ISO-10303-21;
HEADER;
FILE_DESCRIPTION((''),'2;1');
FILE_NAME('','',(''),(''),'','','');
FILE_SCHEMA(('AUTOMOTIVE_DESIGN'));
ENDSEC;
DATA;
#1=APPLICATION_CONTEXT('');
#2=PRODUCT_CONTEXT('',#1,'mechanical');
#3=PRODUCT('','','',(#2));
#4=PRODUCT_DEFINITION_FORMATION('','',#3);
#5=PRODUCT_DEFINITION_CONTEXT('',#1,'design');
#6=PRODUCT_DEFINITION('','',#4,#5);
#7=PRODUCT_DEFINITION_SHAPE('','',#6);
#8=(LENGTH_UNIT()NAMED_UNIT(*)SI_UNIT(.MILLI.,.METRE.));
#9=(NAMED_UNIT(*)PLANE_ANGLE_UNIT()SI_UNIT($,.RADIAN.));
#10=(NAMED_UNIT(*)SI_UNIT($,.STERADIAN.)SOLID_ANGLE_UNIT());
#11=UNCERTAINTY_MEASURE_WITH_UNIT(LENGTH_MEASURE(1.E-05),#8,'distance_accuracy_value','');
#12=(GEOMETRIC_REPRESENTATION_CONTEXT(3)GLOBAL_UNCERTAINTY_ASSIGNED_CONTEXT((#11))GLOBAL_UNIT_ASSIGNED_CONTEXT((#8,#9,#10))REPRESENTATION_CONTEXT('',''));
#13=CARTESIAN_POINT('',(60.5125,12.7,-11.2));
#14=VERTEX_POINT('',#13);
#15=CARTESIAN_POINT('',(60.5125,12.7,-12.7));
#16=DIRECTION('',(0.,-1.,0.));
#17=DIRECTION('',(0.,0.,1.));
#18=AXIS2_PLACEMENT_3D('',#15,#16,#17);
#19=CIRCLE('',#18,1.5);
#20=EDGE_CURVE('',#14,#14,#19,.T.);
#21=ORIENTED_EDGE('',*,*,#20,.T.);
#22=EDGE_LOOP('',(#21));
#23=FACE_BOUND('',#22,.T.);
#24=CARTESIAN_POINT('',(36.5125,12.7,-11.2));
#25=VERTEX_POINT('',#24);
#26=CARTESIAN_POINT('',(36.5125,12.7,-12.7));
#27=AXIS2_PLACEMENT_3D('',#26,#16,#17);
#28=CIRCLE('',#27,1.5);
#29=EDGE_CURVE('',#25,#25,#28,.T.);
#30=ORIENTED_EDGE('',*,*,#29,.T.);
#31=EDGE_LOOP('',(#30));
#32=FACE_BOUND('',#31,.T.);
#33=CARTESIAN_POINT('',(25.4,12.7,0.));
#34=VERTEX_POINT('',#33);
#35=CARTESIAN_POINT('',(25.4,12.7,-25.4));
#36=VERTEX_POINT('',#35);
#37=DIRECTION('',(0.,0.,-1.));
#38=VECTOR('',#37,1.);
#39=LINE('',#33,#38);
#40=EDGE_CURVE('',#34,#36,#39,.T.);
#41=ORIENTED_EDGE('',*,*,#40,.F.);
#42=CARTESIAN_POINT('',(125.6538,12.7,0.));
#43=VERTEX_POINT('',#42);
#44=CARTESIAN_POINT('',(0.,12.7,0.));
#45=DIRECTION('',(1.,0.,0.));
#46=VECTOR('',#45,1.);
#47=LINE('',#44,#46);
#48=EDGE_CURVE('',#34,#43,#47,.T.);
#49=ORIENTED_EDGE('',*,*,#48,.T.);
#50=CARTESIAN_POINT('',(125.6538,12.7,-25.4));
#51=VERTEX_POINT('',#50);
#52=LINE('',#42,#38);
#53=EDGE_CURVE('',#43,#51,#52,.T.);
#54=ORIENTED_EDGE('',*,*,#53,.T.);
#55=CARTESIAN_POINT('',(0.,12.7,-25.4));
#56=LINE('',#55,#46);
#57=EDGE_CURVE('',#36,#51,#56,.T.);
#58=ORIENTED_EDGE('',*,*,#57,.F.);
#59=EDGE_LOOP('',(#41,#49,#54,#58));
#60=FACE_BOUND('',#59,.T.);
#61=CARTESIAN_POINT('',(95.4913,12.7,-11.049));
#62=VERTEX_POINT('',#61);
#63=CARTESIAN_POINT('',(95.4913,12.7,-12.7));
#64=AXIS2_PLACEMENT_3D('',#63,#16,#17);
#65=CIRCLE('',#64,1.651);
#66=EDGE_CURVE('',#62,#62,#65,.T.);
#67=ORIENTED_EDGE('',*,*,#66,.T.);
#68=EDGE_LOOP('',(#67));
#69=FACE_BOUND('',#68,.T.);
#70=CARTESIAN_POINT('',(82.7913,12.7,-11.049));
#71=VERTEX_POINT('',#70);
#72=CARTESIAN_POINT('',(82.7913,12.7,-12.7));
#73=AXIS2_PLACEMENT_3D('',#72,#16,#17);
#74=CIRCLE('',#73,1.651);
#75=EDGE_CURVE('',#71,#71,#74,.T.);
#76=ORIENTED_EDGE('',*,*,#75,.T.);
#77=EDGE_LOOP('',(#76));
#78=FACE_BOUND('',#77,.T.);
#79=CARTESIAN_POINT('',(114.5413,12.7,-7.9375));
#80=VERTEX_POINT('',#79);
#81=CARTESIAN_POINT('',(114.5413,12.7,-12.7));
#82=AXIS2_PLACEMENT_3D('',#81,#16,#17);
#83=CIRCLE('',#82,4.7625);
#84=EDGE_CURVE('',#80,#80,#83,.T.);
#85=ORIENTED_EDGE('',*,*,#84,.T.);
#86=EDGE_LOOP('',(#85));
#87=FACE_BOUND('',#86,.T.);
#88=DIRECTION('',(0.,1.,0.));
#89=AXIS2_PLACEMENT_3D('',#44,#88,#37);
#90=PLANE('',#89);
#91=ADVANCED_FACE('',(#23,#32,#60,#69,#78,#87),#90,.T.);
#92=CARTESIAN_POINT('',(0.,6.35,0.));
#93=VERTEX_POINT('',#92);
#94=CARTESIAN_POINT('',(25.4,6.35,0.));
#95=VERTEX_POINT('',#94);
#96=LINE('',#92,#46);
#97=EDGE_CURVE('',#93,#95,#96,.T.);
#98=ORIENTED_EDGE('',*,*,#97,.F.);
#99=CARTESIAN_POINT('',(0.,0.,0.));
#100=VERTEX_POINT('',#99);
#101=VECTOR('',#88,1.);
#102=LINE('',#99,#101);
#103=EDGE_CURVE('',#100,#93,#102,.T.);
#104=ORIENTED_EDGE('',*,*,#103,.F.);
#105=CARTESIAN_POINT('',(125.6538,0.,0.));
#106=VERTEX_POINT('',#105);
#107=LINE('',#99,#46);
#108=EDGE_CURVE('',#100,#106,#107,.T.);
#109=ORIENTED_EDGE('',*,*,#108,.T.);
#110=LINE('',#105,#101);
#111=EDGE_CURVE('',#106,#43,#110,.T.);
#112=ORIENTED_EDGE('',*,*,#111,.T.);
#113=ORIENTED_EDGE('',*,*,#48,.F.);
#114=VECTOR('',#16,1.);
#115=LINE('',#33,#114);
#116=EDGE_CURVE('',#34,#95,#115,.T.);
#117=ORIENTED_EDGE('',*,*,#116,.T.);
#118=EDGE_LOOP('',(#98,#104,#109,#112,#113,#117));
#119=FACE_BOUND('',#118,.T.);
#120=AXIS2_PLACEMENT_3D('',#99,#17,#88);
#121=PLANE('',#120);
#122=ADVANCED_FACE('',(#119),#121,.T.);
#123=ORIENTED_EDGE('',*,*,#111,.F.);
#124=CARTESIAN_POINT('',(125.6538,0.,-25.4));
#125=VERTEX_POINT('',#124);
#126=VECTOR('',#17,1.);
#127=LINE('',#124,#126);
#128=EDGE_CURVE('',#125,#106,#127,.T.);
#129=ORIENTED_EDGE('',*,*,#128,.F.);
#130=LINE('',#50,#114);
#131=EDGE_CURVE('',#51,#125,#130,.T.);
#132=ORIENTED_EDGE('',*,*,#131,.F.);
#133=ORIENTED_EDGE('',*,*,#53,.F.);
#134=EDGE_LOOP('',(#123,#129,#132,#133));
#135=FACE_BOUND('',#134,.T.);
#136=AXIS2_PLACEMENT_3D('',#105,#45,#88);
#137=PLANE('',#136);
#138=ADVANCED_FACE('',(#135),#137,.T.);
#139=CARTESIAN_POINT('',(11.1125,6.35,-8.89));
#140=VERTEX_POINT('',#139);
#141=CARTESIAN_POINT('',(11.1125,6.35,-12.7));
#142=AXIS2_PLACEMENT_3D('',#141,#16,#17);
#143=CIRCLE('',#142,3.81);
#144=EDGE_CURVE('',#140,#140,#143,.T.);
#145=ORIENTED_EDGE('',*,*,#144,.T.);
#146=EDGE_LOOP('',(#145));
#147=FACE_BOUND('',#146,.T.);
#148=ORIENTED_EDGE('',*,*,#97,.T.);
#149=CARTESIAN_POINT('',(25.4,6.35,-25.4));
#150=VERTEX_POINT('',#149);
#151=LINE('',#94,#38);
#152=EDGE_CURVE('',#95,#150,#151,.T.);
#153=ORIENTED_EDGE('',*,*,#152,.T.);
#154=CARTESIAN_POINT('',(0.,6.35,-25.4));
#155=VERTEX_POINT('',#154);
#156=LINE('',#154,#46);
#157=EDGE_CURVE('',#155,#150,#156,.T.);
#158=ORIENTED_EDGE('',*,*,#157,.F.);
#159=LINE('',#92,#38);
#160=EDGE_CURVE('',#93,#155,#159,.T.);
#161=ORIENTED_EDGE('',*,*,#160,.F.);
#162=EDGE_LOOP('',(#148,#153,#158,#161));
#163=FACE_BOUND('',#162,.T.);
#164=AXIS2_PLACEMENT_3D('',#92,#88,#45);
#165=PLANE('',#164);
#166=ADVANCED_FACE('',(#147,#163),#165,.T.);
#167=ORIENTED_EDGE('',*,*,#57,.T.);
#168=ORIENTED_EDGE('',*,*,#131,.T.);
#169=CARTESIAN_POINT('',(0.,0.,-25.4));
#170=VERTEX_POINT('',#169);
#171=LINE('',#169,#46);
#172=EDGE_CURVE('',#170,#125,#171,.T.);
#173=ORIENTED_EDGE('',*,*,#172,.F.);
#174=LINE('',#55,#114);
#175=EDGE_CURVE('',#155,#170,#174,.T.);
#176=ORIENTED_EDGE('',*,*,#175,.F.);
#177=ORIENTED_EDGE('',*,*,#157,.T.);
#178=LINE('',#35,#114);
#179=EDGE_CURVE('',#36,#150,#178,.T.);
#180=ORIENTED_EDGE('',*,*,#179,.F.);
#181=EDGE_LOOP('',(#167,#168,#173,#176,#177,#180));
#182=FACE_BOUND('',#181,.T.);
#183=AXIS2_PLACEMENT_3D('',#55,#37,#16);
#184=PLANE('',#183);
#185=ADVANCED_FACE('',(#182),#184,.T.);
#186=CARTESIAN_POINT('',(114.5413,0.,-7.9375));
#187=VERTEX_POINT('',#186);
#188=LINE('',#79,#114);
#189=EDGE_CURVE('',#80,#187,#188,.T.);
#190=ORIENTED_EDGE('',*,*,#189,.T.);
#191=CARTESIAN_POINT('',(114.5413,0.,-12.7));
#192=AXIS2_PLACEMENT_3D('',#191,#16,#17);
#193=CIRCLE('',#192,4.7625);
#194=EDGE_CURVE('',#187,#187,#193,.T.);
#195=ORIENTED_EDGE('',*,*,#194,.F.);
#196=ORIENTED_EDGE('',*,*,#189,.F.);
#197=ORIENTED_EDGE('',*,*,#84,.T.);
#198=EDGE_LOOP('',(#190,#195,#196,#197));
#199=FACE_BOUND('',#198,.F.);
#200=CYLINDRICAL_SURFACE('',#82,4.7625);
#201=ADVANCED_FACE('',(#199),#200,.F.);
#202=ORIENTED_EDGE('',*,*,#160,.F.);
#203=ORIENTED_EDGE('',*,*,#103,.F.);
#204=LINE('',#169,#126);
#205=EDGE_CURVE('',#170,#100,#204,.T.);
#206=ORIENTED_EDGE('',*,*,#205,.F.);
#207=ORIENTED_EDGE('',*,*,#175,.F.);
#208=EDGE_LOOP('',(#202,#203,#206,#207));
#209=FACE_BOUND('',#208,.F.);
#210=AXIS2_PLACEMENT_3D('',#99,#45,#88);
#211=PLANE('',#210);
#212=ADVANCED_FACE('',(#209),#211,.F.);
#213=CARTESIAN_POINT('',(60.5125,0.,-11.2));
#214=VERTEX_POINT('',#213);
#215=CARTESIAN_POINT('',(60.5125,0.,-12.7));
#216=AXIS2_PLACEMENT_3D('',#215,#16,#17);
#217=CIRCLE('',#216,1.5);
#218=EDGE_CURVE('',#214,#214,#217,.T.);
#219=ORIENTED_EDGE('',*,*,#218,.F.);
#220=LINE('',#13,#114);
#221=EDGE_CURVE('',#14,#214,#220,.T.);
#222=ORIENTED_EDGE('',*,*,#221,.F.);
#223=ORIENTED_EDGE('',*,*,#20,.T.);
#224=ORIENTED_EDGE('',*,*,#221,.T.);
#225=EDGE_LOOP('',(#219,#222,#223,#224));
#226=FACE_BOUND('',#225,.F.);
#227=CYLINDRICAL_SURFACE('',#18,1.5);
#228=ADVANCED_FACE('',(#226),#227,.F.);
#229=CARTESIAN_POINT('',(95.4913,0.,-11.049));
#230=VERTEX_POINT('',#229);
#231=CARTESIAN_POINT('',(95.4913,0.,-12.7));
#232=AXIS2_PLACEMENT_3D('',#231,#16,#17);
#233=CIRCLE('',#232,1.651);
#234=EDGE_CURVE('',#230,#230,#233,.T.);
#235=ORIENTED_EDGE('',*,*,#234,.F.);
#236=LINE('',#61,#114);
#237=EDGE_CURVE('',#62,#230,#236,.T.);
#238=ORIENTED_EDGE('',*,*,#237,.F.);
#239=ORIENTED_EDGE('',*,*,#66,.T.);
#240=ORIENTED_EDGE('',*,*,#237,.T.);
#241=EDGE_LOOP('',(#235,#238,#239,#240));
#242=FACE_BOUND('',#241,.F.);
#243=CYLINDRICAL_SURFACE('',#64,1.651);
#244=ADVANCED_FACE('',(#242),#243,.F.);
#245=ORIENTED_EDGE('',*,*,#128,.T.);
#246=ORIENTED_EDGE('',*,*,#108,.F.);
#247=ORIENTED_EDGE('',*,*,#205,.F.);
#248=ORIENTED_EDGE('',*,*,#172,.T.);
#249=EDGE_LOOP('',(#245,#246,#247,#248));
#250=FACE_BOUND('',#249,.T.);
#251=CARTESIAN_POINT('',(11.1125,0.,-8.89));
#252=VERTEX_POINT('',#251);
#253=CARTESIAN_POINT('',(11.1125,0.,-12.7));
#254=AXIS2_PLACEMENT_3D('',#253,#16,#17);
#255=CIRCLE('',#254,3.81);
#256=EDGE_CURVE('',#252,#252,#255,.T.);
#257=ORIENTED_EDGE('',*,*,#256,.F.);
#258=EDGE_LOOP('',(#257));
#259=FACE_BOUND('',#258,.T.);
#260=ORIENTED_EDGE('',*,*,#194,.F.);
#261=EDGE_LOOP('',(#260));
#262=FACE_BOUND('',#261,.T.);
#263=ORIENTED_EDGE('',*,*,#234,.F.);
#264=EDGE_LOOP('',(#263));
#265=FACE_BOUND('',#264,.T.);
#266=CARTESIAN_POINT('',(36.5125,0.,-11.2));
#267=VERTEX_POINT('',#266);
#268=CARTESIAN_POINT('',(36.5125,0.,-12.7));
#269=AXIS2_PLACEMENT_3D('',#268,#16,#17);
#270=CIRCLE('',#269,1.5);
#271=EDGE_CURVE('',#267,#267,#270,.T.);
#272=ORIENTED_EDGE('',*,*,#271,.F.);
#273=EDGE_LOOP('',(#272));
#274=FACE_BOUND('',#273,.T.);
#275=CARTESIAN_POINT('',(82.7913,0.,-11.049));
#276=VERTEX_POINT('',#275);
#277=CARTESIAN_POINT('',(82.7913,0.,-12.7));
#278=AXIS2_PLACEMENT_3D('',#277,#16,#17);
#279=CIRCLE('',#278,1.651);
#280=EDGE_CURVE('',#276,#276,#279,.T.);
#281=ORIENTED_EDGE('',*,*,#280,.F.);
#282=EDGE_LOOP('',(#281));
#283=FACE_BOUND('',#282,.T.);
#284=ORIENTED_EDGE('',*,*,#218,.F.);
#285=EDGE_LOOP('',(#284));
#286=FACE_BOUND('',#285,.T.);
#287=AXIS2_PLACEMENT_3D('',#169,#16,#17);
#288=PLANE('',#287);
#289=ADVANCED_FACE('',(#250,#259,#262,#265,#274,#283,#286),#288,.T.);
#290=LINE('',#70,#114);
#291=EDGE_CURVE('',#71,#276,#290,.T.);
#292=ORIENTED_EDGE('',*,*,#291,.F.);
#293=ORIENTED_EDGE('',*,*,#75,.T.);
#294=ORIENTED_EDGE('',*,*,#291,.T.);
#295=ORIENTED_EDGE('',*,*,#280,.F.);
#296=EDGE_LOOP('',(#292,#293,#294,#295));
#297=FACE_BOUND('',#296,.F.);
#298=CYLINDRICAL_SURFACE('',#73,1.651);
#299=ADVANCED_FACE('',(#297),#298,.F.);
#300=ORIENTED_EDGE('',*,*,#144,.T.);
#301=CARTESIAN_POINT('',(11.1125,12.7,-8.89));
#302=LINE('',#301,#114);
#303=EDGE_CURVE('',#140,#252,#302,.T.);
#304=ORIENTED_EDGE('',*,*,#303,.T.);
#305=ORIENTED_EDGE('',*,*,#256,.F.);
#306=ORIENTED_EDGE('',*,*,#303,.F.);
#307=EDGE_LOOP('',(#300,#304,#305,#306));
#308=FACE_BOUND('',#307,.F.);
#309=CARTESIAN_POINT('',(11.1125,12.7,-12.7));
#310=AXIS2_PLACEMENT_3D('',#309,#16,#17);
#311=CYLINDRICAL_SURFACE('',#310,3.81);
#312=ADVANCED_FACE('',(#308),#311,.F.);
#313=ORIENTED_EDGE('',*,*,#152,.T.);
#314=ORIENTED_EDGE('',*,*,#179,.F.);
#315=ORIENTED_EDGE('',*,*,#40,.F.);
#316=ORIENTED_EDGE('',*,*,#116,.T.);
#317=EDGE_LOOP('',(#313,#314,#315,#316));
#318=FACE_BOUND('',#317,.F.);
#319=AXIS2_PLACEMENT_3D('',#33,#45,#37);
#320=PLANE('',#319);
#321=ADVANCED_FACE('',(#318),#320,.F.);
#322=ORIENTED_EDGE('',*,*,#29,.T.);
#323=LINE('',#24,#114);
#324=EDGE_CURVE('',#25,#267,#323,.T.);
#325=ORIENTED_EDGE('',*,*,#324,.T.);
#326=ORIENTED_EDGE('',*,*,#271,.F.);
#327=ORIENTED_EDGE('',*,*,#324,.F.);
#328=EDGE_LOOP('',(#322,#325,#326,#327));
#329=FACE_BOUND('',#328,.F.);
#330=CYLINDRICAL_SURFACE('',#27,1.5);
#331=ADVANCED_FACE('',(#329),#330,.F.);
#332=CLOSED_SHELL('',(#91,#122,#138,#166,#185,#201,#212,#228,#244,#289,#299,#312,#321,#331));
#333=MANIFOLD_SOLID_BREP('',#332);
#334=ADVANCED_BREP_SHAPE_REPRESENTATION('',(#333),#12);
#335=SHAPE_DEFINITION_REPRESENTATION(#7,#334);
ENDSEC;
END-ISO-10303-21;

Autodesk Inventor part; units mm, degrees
ref_plane "YZ Plane" through (0, 0, 0) normal (1, 0, 0) x (0, 1, 0)
ref_plane "XZ Plane" through (0, 0, 0) normal (0, 1, 0) x (-1, 0, 0)
ref_plane "XY Plane" through (0, 0, 0) normal (0, 0, 1) x (1, 0, 0)
sketch "Sketch1" plane through (0, 0, 0) normal (1, 0, 0) x (0, 1, 0)
  line L0 (0, 0) -> (12.7, 0)
  line L1 (12.7, 0) -> (12.7, -25.4)
  line L2 (12.7, -25.4) -> (0, -25.4)
  line L3 (0, -25.4) -> (0, 0)
  dimension "d0" = 12.7
  dimension "d1" = 25.4
extrude "Extrusion1" add sketch "Sketch1" along normal blind 125.6538
sketch "Sketch3" plane through (0, 12.7, 0) normal (0, 1, 0) x (1, 0, 0)
  line L0 (0, 0) -> (125.6538, 0) projected
  line L1 (0, 25.4) -> (125.6538, 25.4) projected
  circle A0 centre (11.1125, 12.7) radius 6.35 projected
  circle A1 centre (114.5413, 12.7) radius 6.35 projected
  point P0 (36.5125, 12.7)
  point P1 (60.5125, 12.7)
  dimension "d13" = 25.4
  dimension "d14" = 12.7
  dimension "d16" = 24
  dimension "d36" = 25.4
hole "Hole1" at (36.5125, 12.7, -12.7) at (60.5125, 12.7, -12.7) direction (0, -1, 0) diameter 3 end through all
sketch "Sketch5" plane through (0, 12.7, 0) normal (0, 1, 0) x (1, 0, 0)
  line L0 (0, 0) -> (125.6538, 0) projected
  line L1 (0, 25.4) -> (125.6538, 25.4) projected
  circle A0 centre (114.5413, 12.7) radius 6.35 projected
  point P0 (95.4913, 12.7)
  dimension "d26" = 12.7
  dimension "d27" = 25.4
  dimension "d28" = 19.05
hole "Hole2" at (95.4913, 12.7, -12.7) direction (0, -1, 0) diameter 3.302 end through all thread size "8-32 UNC" class "2B" standard "ANSI Unified Screw Threads"
sketch "Sketch12" plane through (0, 12.7, 0) normal (0, 1, 0) x (1, 0, 0)
  circle A0 centre (95.4913, 12.7) radius 1.651 projected
  circle A1 centre (36.5125, 12.7) radius 1.5 projected
  circle A2 centre (60.5125, 12.7) radius 1.5 projected
  line L0 (0, 0) -> (0, 25.4) projected
  line L1 (0, 0) -> (125.6538, 0) projected
  line L2 (125.6538, 25.4) -> (125.6538, 0) projected
  line L3 (0, 25.4) -> (125.6538, 25.4) projected
  point P0 (0, 0)
  point P1 (82.7913, 12.7)
  dimension "d77" = 12.7
  dimension "d78" = 12.7
  dimension "d79" = 12.7
hole "Hole5" at (82.7913, 12.7, -12.7) direction (0, -1, 0) diameter 3.302 end through all thread size "8-32 UNC" class "2B" standard "ANSI Unified Screw Threads"
sketch "Sketch14" plane through (0, 12.7, 0) normal (0, 1, 0) x (1, 0, 0)
  circle A0 centre (82.7913, 12.7) radius 1.651 projected
  circle A1 centre (95.4913, 12.7) radius 1.651 projected
  circle A2 centre (36.5125, 12.7) radius 1.5 projected
  circle A3 centre (60.5125, 12.7) radius 1.5 projected
  line L0 (0, 0) -> (0, 25.4) projected
  line L1 (0, 0) -> (125.6538, 0) projected
  line L2 (125.6538, 25.4) -> (125.6538, 0) projected
  line L3 (0, 25.4) -> (125.6538, 25.4) projected
  point P0 (0, 0)
  point P1 (11.1125, 12.7)
hole "Hole7" at (11.1125, 12.7, -12.7) direction (0, -1, 0) diameter 7.62 end through all
sketch "Sketch15" plane through (0, 12.7, 0) normal (0, 1, 0) x (1, 0, 0)
  circle A0 centre (11.1125, 12.7) radius 3.81 projected
  circle A1 centre (82.7913, 12.7) radius 1.651 projected
  circle A2 centre (95.4913, 12.7) radius 1.651 projected
  circle A3 centre (36.5125, 12.7) radius 1.5 projected
  circle A4 centre (60.5125, 12.7) radius 1.5 projected
  line L0 (0, 0) -> (0, 25.4) projected
  line L1 (0, 0) -> (125.6538, 0) projected
  line L2 (125.6538, 25.4) -> (125.6538, 0) projected
  line L3 (0, 25.4) -> (125.6538, 25.4) projected
  circle A5 centre (114.5413, 12.7) radius 4.7625 projected
  point P0 (0, 0)
hole "Hole8" at (114.5413, 12.7, -12.7) direction (0, -1, 0) diameter 9.525 end through all
sketch "Sketch16" plane through (0, 12.7, 0) normal (0, 1, 0) x (1, 0, 0)
  circle A0 centre (114.5413, 12.7) radius 4.7625 projected
  circle A1 centre (11.1125, 12.7) radius 3.81 projected
  circle A2 centre (82.7913, 12.7) radius 1.651 projected
  circle A3 centre (95.4913, 12.7) radius 1.651 projected
  circle A4 centre (36.5125, 12.7) radius 1.5 projected
  circle A5 centre (60.5125, 12.7) radius 1.5 projected
  line L0 (0, 0) -> (0, 25.4) projected
  line L1 (0, 0) -> (125.6538, 0) projected
  line L2 (125.6538, 25.4) -> (125.6538, 0) projected
  line L3 (0, 25.4) -> (125.6538, 25.4) projected
  line L4 (0, 0) -> (125.6538, 0) projected
  line L5 (0, 0) -> (25.4, 0)
  line L6 (25.4, 0) -> (25.4, 25.4)
  line L7 (25.4, 25.4) -> (0, 25.4)
  line L8 (0, 25.4) -> (0, 0)
  dimension "d110" = 25.4
extrude "Extrusion7" cut sketch "Sketch16" against normal blind 6.35 contours L0 L3 L6 L1
equation "\"d14\" = 0.5 * d13"
equation "\"d26\" = 0.5 * d27"
equation "\"d79\" = d78"
properties part number "L17_TSI_010"
